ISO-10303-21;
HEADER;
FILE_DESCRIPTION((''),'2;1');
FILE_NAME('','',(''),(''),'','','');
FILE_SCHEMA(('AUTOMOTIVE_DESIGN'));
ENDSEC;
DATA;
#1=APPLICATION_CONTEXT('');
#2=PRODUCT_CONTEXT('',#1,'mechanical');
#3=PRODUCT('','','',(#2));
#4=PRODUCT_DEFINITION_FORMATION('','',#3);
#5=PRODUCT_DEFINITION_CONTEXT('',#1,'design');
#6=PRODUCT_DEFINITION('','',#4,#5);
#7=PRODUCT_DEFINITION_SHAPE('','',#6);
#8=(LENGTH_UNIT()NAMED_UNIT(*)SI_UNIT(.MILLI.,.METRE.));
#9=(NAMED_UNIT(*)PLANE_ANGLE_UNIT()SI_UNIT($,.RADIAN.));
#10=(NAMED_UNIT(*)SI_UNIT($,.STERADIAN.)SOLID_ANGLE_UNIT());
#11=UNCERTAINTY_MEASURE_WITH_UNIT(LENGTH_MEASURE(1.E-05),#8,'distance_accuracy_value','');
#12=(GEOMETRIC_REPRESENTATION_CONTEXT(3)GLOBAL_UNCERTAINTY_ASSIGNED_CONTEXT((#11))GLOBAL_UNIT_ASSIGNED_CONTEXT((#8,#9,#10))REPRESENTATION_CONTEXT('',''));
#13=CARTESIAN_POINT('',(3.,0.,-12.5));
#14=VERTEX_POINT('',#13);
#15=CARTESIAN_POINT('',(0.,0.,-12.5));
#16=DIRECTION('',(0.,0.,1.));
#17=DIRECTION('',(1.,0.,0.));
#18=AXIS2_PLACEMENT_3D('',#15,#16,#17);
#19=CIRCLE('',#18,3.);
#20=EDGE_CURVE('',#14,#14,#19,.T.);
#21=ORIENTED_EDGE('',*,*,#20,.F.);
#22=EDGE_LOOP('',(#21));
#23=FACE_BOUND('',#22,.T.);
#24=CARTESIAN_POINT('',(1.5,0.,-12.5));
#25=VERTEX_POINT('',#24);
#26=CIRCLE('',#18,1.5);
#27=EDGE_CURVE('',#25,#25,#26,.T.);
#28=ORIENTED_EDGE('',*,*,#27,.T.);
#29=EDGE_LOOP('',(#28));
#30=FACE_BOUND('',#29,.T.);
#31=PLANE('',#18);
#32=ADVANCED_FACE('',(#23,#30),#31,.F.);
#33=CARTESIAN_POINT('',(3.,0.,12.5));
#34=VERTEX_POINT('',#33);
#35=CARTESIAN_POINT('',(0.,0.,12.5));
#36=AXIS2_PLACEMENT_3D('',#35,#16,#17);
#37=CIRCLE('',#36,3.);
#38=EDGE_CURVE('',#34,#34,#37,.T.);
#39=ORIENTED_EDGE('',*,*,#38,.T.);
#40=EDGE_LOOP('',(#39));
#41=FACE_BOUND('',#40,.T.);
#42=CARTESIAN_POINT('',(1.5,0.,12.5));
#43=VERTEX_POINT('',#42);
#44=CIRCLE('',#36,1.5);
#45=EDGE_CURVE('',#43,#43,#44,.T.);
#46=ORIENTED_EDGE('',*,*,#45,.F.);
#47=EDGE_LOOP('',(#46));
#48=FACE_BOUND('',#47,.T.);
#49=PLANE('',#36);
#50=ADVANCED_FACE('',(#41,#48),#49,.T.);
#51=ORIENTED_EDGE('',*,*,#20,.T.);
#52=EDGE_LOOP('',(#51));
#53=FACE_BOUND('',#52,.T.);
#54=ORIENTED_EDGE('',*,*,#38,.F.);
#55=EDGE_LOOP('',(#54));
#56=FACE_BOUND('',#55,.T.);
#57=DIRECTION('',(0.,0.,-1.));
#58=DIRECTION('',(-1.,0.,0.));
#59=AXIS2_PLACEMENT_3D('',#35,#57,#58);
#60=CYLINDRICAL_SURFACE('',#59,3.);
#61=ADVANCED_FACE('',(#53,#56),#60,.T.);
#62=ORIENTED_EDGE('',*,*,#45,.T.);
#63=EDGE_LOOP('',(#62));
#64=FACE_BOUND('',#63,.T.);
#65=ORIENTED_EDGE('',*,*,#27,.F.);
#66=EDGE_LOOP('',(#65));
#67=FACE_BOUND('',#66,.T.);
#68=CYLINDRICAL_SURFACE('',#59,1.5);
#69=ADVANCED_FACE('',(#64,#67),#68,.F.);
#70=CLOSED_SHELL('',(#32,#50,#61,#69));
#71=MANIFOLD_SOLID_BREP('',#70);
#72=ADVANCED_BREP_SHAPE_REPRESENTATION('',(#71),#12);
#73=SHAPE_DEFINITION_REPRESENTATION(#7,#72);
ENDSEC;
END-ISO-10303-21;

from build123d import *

# Parameters (mm, degrees)
SKETCH_1_R      = 3
SKETCH_1_R_2    = 1.5
EXTRUDE_1_DEPTH = 12.5


with BuildPart() as part:
    # 草图1 → 凸台-拉伸1 (new body, symmetric)
    with BuildSketch(Plane.XY):
        Circle(SKETCH_1_R)
        Circle(SKETCH_1_R_2, mode=Mode.SUBTRACT)
    extrude(amount=EXTRUDE_1_DEPTH, both=True)


solid = part.part
